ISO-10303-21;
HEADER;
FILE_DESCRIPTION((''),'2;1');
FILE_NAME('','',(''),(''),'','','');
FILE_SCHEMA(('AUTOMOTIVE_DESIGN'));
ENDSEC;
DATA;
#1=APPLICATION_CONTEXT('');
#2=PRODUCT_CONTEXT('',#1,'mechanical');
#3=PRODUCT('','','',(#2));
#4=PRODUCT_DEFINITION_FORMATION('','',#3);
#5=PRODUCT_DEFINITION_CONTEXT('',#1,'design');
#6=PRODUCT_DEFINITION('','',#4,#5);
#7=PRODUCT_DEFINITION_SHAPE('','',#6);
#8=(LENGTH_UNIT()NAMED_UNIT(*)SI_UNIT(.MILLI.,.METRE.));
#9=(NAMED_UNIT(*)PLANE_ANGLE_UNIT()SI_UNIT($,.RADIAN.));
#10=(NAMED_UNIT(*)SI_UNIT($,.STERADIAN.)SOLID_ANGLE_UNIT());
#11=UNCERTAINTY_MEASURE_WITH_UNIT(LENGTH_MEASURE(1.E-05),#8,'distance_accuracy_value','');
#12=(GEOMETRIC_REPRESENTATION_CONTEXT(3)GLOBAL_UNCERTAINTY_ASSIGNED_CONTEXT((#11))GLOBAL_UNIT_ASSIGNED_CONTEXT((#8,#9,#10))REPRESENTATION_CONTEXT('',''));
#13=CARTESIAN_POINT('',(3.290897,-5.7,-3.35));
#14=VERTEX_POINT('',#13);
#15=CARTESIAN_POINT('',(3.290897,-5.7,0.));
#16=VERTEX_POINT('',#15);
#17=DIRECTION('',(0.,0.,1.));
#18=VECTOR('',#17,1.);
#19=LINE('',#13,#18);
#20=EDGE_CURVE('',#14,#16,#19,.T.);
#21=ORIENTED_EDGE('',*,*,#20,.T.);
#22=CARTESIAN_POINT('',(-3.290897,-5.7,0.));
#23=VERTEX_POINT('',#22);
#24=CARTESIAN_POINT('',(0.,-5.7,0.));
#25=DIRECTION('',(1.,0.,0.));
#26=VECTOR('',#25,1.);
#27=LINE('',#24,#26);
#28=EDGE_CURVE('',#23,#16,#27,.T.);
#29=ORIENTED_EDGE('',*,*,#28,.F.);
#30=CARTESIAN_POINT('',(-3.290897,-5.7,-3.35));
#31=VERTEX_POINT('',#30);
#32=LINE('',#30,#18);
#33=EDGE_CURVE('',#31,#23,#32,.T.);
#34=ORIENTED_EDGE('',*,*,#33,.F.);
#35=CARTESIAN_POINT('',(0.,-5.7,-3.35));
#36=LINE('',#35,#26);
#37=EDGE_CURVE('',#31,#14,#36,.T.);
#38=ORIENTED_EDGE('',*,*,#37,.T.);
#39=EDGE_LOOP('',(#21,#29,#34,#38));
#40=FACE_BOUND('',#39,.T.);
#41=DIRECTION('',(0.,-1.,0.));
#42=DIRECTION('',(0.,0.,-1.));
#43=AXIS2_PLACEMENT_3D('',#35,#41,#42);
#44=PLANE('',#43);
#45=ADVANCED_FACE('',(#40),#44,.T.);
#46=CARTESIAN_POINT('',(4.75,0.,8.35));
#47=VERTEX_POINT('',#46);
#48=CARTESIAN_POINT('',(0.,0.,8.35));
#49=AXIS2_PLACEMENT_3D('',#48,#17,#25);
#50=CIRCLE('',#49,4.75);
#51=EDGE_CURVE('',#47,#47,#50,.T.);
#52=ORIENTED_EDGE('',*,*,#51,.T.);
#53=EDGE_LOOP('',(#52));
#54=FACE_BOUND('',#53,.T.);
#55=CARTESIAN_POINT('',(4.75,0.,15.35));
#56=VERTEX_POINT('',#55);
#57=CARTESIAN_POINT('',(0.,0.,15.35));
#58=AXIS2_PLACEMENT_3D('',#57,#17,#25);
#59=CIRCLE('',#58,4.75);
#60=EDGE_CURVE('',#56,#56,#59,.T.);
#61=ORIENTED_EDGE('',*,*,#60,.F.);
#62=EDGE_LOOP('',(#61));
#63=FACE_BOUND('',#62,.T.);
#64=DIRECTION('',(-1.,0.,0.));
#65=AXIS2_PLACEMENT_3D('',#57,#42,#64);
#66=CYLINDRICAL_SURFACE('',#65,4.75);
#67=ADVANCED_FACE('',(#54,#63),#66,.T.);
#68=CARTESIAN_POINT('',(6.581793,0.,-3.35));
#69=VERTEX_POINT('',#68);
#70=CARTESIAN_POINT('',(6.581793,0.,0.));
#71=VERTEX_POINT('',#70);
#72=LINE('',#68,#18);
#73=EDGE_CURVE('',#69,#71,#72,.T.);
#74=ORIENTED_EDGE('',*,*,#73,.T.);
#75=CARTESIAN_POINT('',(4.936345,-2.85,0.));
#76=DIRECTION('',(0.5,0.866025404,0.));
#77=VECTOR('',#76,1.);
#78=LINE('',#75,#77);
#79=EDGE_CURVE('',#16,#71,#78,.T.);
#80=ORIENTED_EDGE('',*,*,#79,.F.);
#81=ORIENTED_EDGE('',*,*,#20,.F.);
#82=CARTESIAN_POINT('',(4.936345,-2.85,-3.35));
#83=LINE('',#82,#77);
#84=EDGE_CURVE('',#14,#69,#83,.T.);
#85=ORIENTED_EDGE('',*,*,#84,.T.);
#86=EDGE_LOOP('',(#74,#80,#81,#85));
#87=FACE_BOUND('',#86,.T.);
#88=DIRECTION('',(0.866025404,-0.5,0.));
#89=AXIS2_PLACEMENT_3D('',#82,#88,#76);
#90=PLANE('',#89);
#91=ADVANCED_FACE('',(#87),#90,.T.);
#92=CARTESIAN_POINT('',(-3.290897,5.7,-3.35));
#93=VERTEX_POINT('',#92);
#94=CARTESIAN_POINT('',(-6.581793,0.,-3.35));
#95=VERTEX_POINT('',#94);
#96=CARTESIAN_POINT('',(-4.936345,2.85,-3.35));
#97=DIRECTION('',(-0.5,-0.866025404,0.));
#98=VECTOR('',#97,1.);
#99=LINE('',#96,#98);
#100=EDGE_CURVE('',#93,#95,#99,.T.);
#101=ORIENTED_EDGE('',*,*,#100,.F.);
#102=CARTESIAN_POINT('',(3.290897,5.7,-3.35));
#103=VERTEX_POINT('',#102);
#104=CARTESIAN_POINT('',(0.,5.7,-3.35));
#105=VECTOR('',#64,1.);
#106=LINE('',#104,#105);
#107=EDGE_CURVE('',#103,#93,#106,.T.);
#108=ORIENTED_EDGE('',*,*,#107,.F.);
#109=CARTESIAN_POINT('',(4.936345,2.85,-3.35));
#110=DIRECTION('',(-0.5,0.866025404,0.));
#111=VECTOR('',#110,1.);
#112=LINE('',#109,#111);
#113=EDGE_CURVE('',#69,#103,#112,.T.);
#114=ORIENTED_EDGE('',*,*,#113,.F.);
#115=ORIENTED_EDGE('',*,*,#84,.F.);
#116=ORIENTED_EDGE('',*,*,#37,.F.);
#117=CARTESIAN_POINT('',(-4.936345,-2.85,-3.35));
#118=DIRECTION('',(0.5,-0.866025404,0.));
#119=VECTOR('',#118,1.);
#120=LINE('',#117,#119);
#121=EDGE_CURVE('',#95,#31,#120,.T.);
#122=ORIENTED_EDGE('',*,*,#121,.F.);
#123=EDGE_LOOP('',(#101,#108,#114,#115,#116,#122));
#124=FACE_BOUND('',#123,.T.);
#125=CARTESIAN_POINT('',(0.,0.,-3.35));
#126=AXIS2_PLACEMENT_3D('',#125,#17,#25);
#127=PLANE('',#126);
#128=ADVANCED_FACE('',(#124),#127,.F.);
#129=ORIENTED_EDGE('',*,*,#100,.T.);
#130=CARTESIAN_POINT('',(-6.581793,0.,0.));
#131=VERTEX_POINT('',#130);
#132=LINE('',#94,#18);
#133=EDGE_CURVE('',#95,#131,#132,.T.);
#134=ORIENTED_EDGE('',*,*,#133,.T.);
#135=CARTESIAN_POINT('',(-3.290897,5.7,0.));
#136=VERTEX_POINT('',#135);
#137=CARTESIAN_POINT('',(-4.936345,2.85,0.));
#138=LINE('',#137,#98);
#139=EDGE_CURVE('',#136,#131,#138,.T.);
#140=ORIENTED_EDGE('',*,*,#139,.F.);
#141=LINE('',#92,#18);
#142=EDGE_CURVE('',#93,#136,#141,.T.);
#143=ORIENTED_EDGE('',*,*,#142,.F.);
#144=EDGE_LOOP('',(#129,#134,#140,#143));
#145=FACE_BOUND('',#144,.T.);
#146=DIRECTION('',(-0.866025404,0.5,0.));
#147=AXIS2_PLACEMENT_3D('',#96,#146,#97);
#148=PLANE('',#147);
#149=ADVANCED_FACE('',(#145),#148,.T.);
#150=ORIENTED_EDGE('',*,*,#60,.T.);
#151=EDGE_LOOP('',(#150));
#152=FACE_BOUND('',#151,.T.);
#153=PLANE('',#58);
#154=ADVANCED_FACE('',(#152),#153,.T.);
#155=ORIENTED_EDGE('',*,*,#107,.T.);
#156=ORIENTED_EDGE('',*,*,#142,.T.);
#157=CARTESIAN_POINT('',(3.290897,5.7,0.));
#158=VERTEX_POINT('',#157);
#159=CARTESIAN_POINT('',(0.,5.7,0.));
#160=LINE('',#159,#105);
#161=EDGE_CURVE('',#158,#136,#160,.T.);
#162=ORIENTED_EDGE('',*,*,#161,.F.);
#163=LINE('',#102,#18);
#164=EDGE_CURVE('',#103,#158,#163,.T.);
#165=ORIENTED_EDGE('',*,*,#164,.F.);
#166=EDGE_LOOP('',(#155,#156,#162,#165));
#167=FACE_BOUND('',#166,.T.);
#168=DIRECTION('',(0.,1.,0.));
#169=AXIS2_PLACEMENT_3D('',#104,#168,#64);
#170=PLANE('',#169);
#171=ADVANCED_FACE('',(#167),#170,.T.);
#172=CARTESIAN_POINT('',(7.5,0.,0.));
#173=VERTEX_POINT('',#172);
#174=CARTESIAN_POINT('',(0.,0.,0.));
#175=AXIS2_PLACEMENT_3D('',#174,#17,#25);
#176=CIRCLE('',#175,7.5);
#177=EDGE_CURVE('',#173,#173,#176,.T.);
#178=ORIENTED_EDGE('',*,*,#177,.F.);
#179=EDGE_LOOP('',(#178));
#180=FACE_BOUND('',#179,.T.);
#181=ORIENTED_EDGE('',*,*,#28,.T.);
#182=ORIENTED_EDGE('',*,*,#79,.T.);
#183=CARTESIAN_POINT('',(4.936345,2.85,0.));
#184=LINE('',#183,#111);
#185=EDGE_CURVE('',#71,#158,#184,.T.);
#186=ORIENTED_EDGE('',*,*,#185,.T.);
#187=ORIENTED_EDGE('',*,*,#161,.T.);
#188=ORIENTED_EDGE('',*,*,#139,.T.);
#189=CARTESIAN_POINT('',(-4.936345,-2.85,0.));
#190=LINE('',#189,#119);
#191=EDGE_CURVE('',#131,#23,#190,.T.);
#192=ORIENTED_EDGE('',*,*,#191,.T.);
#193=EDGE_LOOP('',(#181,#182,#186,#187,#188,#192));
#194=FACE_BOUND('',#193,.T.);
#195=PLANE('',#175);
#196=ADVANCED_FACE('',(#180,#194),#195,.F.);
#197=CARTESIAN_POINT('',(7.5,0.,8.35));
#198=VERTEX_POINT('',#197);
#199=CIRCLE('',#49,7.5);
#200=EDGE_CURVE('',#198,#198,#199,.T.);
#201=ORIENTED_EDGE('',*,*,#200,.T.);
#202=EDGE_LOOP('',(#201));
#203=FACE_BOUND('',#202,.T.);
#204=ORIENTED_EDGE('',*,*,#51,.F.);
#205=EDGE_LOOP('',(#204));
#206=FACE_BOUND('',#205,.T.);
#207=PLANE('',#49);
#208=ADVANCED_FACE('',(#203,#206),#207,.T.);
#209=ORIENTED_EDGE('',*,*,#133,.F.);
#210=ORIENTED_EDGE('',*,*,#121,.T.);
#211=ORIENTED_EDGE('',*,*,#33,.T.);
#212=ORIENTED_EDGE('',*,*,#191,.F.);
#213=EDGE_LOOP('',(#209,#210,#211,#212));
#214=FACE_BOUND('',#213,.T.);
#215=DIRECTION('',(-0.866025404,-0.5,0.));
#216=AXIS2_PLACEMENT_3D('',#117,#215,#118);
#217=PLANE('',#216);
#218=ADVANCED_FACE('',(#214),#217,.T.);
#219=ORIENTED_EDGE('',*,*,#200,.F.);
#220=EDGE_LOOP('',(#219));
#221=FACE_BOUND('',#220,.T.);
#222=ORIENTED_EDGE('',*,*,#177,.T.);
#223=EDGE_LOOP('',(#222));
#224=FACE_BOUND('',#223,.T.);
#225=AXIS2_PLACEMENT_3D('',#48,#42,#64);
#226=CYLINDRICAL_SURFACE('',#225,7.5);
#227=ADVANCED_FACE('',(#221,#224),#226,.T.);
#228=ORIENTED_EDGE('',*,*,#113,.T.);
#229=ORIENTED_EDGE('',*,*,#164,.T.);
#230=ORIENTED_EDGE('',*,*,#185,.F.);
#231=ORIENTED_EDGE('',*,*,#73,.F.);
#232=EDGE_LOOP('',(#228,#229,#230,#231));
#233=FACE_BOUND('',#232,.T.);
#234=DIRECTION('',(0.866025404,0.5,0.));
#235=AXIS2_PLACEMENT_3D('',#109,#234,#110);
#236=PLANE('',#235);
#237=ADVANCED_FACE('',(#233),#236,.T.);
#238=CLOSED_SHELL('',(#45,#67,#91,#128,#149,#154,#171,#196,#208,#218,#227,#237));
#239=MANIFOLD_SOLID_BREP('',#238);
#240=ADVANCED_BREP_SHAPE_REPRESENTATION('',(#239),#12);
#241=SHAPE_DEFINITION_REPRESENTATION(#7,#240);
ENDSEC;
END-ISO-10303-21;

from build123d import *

# Parameters (mm, degrees)
SKETCH1_R           = 7.5
SKETCH1_R_2         = 4.75
BOSS_EXTRUDE1_DEPTH = 8.35
BOSS_EXTRUDE2_DEPTH = 3.35
BOSS_EXTRUDE3_START = 8.35
SKETCH1_4_R         = 4.75
BOSS_EXTRUDE3_DEPTH = 7


with BuildPart() as part:
    # Sketch1 → Boss-Extrude1 (new body)
    with BuildSketch(Plane.XY):
        Circle(SKETCH1_R)
        Polygon((-3.290896534, 5.7), (-6.581793069, 0), (-3.290896534, -5.7), (3.290896534, -5.7), (6.581793069, 0), (3.290896534, 5.7), align=None, mode=Mode.SUBTRACT)
        Circle(SKETCH1_R)
        Circle(SKETCH1_R_2, mode=Mode.SUBTRACT)
        Circle(SKETCH1_R_2)
    extrude(amount=BOSS_EXTRUDE1_DEPTH)

    # Sketch1<3> → Boss-Extrude2 (add)
    with BuildSketch(Plane.XY):
        Polygon((-3.290896534, -5.7), (3.290896534, -5.7), (6.581793069, 0), (3.290896534, 5.7), (-3.290896534, 5.7), (-6.581793069, 0), align=None)
    extrude(amount=-BOSS_EXTRUDE2_DEPTH)

    # Sketch1<4> → Boss-Extrude3 (add)
    with BuildSketch(Plane.XY.offset(BOSS_EXTRUDE3_START)):
        Circle(SKETCH1_4_R)
    extrude(amount=BOSS_EXTRUDE3_DEPTH)


solid = part.part
